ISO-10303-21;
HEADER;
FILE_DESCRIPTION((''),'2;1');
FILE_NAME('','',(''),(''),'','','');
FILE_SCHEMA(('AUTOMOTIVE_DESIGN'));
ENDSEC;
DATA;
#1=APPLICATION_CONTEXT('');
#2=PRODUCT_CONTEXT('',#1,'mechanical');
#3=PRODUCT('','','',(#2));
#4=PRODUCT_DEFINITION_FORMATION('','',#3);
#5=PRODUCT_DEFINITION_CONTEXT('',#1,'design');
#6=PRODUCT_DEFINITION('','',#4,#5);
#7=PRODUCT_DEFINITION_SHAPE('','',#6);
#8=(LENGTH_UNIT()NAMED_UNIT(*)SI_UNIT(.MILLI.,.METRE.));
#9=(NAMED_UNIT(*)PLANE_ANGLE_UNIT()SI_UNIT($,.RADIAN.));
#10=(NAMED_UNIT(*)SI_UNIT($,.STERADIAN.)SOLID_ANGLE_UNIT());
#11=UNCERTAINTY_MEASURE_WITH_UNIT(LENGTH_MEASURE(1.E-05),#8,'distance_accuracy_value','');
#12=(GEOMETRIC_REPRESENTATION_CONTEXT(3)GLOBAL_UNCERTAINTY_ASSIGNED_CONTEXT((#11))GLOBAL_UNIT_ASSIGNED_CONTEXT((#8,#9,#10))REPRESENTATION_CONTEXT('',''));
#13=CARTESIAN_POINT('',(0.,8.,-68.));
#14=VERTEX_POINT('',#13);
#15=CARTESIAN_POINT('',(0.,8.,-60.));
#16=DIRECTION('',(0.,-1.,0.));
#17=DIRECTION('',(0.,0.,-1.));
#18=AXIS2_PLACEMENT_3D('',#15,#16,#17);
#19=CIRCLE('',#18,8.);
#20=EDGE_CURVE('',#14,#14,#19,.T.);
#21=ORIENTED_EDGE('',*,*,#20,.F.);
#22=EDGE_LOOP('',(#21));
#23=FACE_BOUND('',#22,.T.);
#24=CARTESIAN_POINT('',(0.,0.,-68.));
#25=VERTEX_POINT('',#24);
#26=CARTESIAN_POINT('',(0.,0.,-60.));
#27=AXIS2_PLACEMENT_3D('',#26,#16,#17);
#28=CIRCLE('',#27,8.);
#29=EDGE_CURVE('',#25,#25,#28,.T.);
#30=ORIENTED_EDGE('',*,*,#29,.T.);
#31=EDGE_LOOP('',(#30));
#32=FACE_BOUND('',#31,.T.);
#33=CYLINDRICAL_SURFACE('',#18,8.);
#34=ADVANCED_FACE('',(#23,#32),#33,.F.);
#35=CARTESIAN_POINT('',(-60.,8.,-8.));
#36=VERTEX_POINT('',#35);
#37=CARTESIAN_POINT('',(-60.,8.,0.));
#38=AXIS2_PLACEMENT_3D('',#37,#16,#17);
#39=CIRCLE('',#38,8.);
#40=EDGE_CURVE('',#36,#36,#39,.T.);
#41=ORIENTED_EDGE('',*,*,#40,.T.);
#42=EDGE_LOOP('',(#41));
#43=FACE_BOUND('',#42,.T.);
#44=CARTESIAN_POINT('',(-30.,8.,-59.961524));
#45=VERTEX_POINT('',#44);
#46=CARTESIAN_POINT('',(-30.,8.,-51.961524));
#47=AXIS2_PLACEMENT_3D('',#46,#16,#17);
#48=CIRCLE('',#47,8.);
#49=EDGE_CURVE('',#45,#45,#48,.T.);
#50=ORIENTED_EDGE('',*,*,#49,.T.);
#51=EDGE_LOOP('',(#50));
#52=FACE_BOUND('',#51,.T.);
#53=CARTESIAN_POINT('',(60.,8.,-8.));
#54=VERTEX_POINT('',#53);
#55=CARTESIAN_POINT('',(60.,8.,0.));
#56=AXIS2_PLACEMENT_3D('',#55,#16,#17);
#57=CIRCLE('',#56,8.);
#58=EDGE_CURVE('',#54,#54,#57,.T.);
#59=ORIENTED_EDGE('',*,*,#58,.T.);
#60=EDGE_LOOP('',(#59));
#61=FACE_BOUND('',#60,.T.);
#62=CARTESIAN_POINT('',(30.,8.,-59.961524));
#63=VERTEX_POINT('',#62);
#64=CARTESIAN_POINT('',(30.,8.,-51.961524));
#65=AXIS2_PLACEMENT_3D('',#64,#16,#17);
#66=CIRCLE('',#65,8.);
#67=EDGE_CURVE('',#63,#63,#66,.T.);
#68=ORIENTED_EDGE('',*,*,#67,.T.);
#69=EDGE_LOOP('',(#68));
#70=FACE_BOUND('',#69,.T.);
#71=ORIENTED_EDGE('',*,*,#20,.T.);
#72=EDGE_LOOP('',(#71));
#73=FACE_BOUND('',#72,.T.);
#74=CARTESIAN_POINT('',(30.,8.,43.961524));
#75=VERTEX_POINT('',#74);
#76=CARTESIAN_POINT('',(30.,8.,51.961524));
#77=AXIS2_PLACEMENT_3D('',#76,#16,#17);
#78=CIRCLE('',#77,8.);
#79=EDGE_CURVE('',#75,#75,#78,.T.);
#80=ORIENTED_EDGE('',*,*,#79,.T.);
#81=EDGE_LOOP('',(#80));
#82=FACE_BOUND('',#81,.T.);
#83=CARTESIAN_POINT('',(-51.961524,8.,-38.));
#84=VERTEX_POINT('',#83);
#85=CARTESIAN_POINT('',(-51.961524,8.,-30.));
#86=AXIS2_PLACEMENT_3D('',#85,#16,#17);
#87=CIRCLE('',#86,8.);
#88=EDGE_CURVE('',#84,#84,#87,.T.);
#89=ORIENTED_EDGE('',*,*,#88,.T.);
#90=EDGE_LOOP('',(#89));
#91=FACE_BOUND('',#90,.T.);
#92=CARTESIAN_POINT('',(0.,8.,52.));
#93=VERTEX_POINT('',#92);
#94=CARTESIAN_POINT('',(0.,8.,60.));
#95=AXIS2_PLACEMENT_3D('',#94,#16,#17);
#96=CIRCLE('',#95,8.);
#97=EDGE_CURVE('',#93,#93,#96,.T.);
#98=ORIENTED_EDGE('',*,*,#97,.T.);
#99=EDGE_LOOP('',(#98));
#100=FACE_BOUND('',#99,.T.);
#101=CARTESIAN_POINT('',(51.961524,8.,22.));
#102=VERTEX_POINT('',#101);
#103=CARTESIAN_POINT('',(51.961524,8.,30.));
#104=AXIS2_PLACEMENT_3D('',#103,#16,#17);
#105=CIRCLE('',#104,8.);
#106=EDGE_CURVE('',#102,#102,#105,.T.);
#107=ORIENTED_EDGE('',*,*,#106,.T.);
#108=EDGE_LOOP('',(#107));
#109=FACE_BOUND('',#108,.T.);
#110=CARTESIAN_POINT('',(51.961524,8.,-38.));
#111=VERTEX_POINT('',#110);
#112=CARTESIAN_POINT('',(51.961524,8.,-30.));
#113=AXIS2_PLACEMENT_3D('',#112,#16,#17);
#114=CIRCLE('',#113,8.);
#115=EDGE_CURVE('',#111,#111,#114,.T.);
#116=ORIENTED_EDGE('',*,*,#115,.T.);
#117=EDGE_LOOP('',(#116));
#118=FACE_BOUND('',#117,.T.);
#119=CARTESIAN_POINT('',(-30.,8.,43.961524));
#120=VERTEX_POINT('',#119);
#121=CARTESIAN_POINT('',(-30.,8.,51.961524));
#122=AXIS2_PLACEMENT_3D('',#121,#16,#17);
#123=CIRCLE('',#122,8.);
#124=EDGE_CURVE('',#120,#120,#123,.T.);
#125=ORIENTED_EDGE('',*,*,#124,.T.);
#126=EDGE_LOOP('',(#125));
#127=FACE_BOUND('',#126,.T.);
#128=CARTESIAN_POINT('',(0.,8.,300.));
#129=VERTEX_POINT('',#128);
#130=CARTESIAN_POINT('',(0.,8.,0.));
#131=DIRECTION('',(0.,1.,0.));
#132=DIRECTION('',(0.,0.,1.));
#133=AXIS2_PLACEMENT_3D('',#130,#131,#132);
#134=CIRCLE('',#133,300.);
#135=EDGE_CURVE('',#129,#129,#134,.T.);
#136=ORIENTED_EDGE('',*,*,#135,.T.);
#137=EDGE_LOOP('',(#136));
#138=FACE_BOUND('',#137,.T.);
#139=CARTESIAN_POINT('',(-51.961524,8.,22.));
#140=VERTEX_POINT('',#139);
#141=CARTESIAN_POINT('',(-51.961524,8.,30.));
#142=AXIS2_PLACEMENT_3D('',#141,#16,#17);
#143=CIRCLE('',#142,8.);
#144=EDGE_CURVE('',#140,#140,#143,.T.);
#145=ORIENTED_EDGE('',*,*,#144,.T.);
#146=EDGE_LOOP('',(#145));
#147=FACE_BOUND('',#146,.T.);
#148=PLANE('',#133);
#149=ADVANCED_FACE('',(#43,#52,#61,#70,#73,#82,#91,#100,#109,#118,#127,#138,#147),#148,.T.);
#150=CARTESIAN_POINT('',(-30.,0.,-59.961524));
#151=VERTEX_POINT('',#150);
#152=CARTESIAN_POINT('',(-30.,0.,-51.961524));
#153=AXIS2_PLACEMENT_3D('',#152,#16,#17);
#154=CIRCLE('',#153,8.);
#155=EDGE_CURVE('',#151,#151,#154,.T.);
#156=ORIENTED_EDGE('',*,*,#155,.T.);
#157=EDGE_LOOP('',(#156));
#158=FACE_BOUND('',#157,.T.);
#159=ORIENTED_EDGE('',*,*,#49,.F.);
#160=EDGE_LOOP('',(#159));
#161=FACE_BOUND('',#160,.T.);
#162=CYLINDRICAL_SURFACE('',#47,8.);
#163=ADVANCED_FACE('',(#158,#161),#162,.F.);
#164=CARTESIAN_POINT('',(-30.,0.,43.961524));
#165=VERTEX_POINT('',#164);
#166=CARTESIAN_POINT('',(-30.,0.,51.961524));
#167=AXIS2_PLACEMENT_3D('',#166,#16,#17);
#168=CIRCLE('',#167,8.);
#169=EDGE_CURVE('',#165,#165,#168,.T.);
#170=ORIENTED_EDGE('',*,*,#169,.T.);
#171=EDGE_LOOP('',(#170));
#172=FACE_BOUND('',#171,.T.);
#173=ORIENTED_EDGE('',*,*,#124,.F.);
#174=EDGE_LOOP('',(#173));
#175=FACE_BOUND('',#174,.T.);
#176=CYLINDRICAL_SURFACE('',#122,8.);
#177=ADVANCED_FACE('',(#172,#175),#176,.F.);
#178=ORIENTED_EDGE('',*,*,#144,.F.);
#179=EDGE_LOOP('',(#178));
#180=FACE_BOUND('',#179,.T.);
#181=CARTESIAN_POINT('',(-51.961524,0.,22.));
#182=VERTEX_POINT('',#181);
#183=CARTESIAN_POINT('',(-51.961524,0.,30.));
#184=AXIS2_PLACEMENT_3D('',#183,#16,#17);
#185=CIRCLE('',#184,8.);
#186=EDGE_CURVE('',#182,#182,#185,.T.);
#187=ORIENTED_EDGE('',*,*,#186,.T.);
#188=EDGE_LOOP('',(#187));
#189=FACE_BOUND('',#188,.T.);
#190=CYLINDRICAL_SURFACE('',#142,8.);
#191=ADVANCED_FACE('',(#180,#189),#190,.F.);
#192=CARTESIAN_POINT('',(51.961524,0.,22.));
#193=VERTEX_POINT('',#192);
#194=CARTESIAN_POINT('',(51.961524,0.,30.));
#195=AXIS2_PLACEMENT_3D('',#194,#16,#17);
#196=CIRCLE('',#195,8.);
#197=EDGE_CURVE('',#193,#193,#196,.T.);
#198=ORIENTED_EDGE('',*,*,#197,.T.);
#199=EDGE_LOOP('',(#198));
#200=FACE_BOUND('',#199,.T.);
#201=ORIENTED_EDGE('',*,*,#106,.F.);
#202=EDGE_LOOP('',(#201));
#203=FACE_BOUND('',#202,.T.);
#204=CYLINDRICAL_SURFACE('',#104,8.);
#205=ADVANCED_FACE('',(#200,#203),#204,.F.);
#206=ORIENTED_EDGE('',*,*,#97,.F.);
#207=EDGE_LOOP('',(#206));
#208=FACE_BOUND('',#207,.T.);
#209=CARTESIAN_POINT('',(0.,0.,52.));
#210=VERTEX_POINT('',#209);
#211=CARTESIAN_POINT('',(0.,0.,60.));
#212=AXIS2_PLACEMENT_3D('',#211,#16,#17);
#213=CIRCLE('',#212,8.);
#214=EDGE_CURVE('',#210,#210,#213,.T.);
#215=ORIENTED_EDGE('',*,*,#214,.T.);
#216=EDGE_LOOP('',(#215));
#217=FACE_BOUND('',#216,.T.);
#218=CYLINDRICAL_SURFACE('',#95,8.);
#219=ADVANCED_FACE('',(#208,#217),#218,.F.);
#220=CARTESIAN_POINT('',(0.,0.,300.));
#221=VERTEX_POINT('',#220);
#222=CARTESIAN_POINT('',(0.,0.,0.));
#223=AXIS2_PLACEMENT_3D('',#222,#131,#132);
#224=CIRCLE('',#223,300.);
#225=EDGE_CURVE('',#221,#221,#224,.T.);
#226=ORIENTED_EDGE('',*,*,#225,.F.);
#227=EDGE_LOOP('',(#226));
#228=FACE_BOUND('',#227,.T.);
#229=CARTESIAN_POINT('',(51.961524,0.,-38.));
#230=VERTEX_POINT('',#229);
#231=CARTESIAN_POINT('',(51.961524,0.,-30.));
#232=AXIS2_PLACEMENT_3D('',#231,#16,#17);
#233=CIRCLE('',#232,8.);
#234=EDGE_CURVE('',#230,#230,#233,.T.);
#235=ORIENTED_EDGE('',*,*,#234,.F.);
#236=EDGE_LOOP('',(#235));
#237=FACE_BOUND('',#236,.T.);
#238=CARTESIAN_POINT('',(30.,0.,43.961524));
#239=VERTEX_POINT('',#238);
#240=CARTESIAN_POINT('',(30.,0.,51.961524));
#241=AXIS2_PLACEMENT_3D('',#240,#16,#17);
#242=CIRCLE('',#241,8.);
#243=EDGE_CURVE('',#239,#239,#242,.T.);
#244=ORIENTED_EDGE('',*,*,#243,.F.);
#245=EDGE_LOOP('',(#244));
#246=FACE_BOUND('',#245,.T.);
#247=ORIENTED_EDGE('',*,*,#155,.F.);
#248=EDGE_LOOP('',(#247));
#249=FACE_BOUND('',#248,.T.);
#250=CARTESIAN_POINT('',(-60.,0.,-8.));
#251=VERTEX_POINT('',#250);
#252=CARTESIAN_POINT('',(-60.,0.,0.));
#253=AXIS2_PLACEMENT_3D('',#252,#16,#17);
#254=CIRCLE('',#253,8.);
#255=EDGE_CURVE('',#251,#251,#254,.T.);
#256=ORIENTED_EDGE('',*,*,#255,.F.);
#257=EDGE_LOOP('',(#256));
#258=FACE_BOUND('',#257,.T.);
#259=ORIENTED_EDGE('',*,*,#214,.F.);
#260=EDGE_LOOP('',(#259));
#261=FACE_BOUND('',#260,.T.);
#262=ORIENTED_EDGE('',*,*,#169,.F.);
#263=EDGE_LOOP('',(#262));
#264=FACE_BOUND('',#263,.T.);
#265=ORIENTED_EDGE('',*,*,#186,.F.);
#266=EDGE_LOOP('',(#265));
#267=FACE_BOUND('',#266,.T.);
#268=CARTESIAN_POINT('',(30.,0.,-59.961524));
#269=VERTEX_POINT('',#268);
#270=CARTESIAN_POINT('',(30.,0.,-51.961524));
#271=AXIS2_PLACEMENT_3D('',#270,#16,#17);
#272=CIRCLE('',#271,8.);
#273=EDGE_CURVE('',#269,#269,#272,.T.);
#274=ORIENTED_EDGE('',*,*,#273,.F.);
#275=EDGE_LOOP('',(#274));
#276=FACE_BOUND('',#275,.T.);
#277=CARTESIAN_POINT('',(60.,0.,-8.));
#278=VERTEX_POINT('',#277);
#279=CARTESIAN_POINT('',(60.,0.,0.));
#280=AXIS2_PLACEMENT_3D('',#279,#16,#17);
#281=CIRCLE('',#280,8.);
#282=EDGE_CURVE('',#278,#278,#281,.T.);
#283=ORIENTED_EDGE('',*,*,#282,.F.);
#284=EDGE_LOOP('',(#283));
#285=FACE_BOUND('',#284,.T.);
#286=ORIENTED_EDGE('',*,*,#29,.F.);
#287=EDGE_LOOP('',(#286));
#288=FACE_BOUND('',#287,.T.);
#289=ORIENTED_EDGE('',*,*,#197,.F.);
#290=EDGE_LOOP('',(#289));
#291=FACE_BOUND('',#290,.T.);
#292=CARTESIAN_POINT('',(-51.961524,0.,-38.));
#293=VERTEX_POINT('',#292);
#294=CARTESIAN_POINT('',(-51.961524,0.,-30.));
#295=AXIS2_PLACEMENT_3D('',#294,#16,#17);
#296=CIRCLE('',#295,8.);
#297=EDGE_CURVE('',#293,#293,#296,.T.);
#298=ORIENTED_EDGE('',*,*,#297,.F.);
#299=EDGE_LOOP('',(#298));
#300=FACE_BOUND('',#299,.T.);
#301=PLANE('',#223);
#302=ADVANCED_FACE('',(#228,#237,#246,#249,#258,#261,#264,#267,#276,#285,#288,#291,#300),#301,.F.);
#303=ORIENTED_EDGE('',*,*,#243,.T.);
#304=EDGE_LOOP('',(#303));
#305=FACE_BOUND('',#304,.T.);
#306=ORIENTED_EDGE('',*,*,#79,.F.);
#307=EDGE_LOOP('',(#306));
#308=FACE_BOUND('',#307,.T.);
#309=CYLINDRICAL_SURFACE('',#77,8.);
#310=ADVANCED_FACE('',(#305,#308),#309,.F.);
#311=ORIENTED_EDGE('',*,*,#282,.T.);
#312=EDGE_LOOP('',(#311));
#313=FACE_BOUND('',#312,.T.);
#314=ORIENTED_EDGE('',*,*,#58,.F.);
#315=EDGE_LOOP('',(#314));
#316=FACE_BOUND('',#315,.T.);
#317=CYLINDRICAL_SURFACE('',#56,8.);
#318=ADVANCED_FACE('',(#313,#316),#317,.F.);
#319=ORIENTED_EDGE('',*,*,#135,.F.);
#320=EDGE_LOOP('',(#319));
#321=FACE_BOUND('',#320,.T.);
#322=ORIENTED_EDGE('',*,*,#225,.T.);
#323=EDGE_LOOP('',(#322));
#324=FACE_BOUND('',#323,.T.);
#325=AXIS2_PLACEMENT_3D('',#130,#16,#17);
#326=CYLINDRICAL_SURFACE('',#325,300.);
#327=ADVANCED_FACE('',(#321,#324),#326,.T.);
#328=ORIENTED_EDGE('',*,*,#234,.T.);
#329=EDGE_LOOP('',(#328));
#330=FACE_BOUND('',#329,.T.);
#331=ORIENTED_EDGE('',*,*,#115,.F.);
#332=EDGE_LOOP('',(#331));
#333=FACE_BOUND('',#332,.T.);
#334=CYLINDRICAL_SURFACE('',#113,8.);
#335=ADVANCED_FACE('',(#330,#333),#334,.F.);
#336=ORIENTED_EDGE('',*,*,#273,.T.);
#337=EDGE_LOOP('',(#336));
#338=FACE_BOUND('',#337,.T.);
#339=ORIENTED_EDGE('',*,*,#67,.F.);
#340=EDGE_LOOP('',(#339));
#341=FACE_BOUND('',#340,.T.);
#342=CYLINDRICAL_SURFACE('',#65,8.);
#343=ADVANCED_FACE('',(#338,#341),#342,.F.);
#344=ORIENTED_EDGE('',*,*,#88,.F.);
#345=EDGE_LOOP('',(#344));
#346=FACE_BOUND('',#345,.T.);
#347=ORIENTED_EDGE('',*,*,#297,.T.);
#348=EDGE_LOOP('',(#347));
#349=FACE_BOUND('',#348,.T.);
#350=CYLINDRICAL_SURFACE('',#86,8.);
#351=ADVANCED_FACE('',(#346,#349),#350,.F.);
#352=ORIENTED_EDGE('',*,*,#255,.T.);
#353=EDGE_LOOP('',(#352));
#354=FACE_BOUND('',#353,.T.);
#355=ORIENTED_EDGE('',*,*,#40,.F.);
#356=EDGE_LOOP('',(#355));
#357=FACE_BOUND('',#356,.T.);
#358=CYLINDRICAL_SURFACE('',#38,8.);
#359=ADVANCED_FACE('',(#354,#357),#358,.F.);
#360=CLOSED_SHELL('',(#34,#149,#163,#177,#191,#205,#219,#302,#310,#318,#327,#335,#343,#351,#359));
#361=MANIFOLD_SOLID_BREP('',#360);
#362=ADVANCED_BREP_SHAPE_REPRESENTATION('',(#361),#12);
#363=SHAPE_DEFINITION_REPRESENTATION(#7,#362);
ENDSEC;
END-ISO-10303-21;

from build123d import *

# Parameters (mm, degrees)
SKETCH1_R           = 300
BOSS_EXTRUDE1_DEPTH = 8
SKETCH2_R           = 8
CUT_EXTRUDE1_DEPTH  = 425.339486732


with BuildPart() as part:
    # Sketch1 → Boss-Extrude1 (new body)
    with BuildSketch(Plane(origin=(0, 0, 0), x_dir=(1, 0, 0), z_dir=(0, 1, 0))):
        with Locations(Location((0, 0, 0), (0, 0, 270))):
            Circle(SKETCH1_R)
    extrude(amount=BOSS_EXTRUDE1_DEPTH)

    # Sketch2 → Cut-Extrude1 (cut, through all)
    with BuildSketch(Plane.XZ):
        with Locations(Location((0, 60, 0), (0, 0, 270))):
            Circle(SKETCH2_R)
        with Locations(Location((30, 51.961524227, 0), (0, 0, 270))):
            Circle(SKETCH2_R)
        with Locations(Location((51.961524227, 30, 0), (0, 0, 270))):
            Circle(SKETCH2_R)
        with Locations(Location((60, 0, 0), (0, 0, 270))):
            Circle(SKETCH2_R)
        with Locations(Location((51.961524227, -30, 0), (0, 0, 270))):
            Circle(SKETCH2_R)
        with Locations(Location((30, -51.961524227, 0), (0, 0, 270))):
            Circle(SKETCH2_R)
        with Locations(Location((0, -60, 0), (0, 0, 270))):
            Circle(SKETCH2_R)
        with Locations(Location((-30, -51.961524227, 0), (0, 0, 270))):
            Circle(SKETCH2_R)
        with Locations(Location((-51.961524227, -30, 0), (0, 0, 270))):
            Circle(SKETCH2_R)
        with Locations(Location((-60, 0, 0), (0, 0, 270))):
            Circle(SKETCH2_R)
        with Locations(Location((-51.961524227, 30, 0), (0, 0, 270))):
            Circle(SKETCH2_R)
        with Locations(Location((-30, 51.961524227, 0), (0, 0, 270))):
            Circle(SKETCH2_R)
    extrude(amount=-CUT_EXTRUDE1_DEPTH, mode=Mode.SUBTRACT)


solid = part.part
